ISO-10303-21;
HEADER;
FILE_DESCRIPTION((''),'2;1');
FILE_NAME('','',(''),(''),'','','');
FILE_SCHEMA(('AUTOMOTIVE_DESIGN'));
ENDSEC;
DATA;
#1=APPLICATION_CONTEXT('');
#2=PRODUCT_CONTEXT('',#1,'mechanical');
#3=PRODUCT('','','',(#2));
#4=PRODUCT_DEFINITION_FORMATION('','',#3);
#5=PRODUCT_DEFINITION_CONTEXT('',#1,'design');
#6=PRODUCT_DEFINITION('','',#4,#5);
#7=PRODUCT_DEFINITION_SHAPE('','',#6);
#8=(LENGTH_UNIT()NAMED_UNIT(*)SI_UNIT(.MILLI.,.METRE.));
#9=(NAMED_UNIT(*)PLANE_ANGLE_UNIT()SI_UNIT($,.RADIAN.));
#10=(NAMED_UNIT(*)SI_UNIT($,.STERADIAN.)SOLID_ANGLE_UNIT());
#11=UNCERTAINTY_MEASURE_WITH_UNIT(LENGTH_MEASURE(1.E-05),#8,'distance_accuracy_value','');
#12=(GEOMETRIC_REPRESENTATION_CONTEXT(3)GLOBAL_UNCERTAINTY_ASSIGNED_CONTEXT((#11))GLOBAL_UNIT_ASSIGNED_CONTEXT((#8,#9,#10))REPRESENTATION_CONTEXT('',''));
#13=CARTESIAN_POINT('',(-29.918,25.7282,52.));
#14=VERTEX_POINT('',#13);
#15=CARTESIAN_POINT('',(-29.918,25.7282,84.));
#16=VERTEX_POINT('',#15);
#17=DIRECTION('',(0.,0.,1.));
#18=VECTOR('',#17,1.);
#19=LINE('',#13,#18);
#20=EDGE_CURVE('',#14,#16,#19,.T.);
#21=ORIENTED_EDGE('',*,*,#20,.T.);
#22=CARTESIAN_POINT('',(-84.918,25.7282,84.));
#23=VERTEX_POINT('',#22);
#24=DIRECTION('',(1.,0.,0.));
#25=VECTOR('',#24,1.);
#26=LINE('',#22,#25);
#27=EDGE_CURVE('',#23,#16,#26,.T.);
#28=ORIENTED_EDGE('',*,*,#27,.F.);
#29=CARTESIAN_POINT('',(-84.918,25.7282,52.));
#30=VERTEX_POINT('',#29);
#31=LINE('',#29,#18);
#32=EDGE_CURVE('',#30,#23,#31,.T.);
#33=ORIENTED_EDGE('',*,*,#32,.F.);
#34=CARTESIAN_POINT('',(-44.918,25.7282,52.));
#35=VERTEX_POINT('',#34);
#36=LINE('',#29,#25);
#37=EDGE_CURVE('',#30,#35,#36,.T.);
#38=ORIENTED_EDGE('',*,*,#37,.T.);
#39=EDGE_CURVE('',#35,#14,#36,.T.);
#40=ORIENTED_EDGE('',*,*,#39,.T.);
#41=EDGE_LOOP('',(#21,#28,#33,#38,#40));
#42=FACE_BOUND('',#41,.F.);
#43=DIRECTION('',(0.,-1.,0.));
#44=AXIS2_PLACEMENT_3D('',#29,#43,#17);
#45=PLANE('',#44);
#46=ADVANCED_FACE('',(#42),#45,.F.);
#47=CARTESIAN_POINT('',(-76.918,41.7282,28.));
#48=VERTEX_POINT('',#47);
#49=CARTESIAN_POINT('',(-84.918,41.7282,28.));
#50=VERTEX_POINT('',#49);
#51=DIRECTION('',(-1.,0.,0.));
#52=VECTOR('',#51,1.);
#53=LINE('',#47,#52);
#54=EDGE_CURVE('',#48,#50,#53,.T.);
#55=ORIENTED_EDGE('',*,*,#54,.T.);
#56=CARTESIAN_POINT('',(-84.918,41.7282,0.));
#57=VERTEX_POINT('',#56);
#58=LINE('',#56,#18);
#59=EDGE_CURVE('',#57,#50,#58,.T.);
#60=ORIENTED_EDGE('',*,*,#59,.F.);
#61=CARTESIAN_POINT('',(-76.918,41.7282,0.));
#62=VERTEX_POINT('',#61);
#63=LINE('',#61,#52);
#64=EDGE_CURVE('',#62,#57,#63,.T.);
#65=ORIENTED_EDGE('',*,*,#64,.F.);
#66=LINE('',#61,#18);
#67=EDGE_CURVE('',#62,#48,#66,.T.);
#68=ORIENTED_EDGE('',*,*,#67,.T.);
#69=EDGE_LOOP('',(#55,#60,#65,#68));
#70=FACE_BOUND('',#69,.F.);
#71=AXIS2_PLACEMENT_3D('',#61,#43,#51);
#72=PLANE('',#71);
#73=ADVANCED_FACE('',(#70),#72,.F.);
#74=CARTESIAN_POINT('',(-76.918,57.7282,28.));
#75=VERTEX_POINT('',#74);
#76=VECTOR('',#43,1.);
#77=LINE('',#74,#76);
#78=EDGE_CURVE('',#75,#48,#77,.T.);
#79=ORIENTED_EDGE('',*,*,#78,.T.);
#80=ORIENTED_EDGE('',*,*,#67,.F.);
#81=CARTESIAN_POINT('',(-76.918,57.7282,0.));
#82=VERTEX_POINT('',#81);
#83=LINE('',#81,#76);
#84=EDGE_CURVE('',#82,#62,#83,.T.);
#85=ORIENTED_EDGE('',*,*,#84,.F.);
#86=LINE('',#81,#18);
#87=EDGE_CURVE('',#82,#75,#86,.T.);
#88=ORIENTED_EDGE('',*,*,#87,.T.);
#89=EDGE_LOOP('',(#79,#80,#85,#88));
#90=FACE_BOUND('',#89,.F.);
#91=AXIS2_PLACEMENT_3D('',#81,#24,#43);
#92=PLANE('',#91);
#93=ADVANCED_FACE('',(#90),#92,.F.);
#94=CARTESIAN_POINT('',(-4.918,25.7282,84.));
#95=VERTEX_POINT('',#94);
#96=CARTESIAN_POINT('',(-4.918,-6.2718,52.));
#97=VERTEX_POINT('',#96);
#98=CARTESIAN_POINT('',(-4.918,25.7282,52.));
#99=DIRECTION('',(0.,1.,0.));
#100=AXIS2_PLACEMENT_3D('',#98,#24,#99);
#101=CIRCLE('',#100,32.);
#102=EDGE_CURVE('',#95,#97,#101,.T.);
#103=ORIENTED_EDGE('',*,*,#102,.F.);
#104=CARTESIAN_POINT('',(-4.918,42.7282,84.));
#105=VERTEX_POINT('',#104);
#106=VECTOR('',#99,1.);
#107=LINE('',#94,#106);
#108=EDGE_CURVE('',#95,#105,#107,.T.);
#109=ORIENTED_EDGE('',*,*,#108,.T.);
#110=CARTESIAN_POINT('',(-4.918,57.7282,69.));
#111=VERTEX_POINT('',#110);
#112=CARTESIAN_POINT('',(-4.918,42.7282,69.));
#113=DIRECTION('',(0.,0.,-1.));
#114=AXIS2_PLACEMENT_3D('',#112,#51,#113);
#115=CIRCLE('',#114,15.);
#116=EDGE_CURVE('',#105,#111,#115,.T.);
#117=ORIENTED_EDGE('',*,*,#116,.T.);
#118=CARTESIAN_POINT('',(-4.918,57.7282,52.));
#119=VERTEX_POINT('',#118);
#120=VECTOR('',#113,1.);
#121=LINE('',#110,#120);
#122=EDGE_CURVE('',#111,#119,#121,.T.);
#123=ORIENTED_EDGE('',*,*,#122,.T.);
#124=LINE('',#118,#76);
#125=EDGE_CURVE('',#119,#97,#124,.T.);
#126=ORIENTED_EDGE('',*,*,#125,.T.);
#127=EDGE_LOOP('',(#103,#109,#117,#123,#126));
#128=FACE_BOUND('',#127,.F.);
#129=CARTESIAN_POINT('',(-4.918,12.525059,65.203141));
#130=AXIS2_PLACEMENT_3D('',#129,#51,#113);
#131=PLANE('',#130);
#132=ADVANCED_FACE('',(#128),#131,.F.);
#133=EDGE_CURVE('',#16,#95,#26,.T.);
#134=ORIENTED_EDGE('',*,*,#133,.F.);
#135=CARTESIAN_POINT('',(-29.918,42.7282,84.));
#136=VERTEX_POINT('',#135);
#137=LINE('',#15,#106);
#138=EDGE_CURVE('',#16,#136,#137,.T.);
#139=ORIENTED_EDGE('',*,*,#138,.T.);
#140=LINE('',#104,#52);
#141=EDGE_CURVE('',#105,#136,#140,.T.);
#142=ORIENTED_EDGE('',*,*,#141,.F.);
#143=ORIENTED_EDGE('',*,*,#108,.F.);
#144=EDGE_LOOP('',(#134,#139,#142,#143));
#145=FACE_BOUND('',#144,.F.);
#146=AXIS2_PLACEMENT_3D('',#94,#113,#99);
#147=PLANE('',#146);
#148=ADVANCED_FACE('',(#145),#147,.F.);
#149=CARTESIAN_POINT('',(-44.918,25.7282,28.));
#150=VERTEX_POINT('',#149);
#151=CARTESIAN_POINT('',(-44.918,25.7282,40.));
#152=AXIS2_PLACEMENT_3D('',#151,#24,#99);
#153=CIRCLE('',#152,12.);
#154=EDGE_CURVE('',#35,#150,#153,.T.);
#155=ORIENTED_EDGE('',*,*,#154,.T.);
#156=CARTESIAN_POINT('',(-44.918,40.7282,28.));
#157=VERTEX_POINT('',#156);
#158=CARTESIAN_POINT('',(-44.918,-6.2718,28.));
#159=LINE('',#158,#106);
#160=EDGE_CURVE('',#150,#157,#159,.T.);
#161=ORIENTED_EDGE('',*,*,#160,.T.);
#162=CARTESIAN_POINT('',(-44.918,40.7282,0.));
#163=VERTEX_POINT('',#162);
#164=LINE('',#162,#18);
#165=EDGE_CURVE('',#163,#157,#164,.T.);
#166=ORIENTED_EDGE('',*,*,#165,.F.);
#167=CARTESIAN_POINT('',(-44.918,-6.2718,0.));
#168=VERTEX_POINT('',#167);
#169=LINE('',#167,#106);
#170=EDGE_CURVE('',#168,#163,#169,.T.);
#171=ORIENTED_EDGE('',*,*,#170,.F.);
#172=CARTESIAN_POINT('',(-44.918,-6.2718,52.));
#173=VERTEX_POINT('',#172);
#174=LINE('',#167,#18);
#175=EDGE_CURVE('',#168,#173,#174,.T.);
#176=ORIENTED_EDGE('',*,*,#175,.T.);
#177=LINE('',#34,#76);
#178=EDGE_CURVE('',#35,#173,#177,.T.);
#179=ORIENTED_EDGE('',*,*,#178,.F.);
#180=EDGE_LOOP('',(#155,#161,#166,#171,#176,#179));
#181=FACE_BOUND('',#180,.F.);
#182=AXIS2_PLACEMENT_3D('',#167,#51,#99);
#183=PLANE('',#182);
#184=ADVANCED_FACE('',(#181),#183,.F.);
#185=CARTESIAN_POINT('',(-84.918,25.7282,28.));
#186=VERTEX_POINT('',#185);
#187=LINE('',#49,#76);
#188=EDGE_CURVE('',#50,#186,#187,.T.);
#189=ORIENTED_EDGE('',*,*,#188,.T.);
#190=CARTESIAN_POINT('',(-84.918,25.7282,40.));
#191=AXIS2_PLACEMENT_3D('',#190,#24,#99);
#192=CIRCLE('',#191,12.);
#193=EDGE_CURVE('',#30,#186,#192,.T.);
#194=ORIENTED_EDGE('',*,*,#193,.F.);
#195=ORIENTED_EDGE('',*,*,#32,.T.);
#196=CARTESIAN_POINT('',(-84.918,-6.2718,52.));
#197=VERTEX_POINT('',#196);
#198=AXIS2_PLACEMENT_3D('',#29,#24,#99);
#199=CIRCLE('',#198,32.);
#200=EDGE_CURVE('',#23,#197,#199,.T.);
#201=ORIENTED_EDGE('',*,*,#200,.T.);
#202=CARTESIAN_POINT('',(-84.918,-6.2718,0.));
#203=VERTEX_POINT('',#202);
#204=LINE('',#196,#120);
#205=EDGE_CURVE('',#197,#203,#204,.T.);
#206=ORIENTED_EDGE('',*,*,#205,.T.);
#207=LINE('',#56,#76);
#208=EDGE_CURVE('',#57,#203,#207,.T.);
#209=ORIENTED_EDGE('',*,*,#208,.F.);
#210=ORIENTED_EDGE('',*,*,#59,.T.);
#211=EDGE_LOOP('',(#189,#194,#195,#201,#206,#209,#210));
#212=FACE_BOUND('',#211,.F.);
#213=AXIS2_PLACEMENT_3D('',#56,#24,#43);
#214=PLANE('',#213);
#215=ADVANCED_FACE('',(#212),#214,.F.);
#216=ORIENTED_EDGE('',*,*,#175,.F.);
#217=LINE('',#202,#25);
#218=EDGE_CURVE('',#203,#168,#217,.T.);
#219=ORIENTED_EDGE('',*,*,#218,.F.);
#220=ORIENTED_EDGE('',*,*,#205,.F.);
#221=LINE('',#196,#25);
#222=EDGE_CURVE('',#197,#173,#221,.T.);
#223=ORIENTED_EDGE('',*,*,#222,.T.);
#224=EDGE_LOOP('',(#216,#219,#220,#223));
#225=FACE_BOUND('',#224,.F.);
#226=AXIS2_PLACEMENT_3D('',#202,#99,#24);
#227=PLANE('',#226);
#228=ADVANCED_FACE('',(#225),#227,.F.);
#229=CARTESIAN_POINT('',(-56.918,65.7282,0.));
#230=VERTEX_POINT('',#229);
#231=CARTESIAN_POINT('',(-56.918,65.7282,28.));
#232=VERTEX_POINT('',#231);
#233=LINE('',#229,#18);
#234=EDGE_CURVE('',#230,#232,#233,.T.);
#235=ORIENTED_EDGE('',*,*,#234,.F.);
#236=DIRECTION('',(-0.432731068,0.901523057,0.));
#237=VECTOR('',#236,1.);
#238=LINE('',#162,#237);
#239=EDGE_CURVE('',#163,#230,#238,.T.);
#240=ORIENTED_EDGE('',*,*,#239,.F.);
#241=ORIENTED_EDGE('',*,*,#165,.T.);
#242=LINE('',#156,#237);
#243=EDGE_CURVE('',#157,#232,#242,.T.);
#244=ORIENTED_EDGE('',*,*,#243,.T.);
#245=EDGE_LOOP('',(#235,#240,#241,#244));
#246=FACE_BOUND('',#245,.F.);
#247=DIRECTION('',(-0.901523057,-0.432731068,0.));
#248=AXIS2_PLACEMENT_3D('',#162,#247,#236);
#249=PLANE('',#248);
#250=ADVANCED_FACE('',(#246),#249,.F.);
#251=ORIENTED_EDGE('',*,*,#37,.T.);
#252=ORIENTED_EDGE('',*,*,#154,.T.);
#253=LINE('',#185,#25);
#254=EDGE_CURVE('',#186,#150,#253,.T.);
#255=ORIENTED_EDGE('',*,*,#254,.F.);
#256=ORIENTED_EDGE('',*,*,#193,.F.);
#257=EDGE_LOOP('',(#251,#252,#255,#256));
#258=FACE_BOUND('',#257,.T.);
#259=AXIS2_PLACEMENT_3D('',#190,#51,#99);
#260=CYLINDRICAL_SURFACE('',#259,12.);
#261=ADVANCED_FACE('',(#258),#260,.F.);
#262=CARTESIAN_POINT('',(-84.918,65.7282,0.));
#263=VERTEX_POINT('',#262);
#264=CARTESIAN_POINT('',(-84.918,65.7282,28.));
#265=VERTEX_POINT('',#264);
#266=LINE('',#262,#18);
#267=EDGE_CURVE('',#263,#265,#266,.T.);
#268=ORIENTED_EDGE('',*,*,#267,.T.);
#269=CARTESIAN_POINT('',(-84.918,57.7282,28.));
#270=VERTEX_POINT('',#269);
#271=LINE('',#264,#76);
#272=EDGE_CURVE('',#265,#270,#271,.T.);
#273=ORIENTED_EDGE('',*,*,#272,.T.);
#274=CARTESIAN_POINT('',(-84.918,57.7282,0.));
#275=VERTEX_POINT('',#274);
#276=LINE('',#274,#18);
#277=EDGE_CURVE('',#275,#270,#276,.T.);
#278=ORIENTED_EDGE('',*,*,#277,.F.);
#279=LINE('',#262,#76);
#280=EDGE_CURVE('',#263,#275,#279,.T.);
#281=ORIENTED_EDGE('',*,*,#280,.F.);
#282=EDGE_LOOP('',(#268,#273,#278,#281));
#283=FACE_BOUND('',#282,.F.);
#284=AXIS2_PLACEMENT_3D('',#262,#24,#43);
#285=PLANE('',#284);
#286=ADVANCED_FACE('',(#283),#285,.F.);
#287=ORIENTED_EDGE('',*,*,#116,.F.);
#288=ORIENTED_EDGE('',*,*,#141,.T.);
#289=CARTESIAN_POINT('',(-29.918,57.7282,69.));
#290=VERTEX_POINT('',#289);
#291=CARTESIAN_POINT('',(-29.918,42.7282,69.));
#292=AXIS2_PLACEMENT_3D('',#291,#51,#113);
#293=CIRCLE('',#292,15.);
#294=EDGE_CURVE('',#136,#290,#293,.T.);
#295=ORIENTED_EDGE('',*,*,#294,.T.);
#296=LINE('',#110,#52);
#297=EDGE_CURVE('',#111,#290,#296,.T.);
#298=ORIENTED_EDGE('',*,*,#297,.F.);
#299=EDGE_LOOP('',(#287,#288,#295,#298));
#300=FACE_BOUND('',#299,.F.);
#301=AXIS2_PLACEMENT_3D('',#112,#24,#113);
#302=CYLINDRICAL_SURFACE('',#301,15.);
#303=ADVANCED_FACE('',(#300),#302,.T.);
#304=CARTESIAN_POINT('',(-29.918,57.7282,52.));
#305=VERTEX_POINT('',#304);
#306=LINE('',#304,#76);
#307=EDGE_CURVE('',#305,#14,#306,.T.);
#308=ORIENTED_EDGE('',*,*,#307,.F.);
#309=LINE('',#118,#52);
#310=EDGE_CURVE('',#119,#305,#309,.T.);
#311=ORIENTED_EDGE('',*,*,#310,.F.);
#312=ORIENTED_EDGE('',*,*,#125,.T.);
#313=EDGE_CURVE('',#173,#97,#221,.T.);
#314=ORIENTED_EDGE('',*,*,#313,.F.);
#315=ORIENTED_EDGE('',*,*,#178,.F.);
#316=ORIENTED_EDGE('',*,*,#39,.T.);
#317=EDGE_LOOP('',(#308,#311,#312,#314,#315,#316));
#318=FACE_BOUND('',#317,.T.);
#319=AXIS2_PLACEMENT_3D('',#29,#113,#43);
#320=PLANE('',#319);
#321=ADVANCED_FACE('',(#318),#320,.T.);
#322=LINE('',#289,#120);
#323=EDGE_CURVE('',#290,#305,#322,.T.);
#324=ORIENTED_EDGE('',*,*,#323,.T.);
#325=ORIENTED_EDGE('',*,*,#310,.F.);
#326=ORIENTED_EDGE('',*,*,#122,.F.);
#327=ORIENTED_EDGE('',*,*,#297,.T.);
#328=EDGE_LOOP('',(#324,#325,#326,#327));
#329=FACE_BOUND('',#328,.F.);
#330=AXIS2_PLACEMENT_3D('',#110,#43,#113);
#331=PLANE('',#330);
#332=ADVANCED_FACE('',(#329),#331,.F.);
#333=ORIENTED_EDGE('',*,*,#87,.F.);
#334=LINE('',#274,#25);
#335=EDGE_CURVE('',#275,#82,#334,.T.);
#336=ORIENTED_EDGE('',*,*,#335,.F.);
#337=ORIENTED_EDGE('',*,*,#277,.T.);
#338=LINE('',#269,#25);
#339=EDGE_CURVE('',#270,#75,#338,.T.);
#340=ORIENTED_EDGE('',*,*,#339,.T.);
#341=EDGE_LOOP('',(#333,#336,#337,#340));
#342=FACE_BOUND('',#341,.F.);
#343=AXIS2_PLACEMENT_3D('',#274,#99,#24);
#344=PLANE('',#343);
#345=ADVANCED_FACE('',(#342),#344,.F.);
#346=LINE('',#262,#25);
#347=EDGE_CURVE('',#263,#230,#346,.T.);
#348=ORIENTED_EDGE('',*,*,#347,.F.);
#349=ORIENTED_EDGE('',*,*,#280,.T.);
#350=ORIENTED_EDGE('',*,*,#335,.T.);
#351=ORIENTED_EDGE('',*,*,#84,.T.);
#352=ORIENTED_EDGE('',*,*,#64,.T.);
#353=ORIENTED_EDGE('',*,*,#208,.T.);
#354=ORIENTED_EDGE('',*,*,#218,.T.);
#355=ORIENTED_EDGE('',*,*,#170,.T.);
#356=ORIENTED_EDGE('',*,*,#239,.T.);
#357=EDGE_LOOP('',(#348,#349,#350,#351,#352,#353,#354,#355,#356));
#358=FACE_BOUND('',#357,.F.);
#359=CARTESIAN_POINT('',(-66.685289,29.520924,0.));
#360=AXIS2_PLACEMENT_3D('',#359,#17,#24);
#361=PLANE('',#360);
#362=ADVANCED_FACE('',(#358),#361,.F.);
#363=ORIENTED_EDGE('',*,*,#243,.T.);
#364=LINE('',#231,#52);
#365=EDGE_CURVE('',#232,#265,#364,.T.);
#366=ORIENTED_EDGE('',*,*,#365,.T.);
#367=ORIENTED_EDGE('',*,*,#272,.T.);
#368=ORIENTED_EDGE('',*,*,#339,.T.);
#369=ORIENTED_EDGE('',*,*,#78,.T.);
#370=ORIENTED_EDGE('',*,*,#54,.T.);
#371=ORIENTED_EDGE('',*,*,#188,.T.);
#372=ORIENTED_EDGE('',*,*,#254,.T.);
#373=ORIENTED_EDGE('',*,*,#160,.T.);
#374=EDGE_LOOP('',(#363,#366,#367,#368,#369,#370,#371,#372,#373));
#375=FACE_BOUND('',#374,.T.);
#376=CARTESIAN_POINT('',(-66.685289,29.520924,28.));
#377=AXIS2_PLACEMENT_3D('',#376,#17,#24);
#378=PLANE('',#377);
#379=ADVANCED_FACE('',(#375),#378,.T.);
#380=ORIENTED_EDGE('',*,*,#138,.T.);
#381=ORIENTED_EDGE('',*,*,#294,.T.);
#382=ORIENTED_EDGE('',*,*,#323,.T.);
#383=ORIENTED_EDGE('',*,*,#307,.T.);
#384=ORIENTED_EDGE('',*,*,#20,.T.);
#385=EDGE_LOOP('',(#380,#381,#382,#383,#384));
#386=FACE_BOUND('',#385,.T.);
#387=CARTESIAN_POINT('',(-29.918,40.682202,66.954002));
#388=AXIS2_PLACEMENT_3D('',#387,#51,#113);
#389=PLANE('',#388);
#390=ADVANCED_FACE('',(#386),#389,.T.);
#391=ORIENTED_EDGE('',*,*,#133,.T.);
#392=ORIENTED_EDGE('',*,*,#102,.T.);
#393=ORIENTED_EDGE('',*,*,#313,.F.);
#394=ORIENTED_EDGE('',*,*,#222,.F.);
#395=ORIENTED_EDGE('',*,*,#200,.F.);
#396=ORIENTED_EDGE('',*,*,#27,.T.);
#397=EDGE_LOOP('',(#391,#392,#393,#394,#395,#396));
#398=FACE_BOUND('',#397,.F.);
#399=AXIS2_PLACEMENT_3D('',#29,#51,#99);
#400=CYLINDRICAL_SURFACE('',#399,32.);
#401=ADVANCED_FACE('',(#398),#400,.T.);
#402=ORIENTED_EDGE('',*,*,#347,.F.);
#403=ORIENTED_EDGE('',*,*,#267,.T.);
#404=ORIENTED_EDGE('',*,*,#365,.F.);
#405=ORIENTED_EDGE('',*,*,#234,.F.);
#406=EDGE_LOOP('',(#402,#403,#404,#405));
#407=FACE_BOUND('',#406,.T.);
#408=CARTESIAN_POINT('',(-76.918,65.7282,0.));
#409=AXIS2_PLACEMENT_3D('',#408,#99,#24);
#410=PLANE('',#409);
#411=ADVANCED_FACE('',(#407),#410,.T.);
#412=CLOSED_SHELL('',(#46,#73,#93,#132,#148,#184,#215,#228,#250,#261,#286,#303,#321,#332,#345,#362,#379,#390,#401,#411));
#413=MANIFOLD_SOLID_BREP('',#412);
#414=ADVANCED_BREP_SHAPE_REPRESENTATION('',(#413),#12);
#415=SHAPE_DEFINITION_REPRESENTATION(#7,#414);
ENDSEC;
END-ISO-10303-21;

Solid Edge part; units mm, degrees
sketch "Sketch1" plane through (0, 0, 0) normal (0, 0, 1) x (1, 0, 0)
  line L0 (-84.918, -6.2718) -> (-44.918, -6.2718)
  line L1 (-44.918, -6.2718) -> (-44.918, 40.7282)
  line L2 (-44.918, 40.7282) -> (-56.918, 65.7282)
  line L3 (-76.918, 65.7282) -> (-56.918, 65.7282)
  line L4 (-84.918, 65.7282) -> (-76.918, 65.7282)
  line L5 (-84.918, 65.7282) -> (-84.918, 57.7282)
  line L6 (-84.918, 57.7282) -> (-76.918, 57.7282)
  line L7 (-76.918, 57.7282) -> (-76.918, 41.7282)
  line L8 (-76.918, 41.7282) -> (-84.918, 41.7282)
  line L9 (-84.918, 41.7282) -> (-84.918, -6.2718)
extrude "Protrusion1" add sketch "Sketch1" along normal blind 28
sketch "Sketch2" plane through (-84.918, 17.7282, 14) normal (-1, 0, 0) x (0, 1, 0)
  line L0 (8, -38) -> (-24, -38)
  line L1 (-24, -38) -> (-24, -14)
  line L2 (-24, -14) -> (8, -14)
  arc A0 (8, -38) -> (8, -14) centre (8, -26) cw
extrude "ExtrudedProtrusion_2" add sketch "Sketch2" against normal blind 40
sketch "Sketch3" plane through (-84.918, 17.7282, 14) normal (-1, 0, 0) x (0, 1, 0)
  line L0 (8, -38) -> (-24, -38)
  line L1 (8, -38) -> (8, -70)
  arc A0 (8, -70) -> (-24, -38) centre (8, -38) cw
extrude "ExtrudedProtrusion_3" add sketch "Sketch3" against normal blind 80
sketch "Sketch4" plane through (-4.918, 9.7282, 68) normal (1, 0, 0) x (0, 0, -1)
  line L0 (-16, 16) -> (-16, 33)
  line L1 (-1, 48) -> (16, 48)
  line L2 (16, 48) -> (16, 16)
  line L3 (16, 16) -> (-16, 16)
  arc A0 (-16, 33) -> (-1, 48) centre (-1, 33) cw
extrude "ExtrudedProtrusion_4" add sketch "Sketch4" against normal blind 25
